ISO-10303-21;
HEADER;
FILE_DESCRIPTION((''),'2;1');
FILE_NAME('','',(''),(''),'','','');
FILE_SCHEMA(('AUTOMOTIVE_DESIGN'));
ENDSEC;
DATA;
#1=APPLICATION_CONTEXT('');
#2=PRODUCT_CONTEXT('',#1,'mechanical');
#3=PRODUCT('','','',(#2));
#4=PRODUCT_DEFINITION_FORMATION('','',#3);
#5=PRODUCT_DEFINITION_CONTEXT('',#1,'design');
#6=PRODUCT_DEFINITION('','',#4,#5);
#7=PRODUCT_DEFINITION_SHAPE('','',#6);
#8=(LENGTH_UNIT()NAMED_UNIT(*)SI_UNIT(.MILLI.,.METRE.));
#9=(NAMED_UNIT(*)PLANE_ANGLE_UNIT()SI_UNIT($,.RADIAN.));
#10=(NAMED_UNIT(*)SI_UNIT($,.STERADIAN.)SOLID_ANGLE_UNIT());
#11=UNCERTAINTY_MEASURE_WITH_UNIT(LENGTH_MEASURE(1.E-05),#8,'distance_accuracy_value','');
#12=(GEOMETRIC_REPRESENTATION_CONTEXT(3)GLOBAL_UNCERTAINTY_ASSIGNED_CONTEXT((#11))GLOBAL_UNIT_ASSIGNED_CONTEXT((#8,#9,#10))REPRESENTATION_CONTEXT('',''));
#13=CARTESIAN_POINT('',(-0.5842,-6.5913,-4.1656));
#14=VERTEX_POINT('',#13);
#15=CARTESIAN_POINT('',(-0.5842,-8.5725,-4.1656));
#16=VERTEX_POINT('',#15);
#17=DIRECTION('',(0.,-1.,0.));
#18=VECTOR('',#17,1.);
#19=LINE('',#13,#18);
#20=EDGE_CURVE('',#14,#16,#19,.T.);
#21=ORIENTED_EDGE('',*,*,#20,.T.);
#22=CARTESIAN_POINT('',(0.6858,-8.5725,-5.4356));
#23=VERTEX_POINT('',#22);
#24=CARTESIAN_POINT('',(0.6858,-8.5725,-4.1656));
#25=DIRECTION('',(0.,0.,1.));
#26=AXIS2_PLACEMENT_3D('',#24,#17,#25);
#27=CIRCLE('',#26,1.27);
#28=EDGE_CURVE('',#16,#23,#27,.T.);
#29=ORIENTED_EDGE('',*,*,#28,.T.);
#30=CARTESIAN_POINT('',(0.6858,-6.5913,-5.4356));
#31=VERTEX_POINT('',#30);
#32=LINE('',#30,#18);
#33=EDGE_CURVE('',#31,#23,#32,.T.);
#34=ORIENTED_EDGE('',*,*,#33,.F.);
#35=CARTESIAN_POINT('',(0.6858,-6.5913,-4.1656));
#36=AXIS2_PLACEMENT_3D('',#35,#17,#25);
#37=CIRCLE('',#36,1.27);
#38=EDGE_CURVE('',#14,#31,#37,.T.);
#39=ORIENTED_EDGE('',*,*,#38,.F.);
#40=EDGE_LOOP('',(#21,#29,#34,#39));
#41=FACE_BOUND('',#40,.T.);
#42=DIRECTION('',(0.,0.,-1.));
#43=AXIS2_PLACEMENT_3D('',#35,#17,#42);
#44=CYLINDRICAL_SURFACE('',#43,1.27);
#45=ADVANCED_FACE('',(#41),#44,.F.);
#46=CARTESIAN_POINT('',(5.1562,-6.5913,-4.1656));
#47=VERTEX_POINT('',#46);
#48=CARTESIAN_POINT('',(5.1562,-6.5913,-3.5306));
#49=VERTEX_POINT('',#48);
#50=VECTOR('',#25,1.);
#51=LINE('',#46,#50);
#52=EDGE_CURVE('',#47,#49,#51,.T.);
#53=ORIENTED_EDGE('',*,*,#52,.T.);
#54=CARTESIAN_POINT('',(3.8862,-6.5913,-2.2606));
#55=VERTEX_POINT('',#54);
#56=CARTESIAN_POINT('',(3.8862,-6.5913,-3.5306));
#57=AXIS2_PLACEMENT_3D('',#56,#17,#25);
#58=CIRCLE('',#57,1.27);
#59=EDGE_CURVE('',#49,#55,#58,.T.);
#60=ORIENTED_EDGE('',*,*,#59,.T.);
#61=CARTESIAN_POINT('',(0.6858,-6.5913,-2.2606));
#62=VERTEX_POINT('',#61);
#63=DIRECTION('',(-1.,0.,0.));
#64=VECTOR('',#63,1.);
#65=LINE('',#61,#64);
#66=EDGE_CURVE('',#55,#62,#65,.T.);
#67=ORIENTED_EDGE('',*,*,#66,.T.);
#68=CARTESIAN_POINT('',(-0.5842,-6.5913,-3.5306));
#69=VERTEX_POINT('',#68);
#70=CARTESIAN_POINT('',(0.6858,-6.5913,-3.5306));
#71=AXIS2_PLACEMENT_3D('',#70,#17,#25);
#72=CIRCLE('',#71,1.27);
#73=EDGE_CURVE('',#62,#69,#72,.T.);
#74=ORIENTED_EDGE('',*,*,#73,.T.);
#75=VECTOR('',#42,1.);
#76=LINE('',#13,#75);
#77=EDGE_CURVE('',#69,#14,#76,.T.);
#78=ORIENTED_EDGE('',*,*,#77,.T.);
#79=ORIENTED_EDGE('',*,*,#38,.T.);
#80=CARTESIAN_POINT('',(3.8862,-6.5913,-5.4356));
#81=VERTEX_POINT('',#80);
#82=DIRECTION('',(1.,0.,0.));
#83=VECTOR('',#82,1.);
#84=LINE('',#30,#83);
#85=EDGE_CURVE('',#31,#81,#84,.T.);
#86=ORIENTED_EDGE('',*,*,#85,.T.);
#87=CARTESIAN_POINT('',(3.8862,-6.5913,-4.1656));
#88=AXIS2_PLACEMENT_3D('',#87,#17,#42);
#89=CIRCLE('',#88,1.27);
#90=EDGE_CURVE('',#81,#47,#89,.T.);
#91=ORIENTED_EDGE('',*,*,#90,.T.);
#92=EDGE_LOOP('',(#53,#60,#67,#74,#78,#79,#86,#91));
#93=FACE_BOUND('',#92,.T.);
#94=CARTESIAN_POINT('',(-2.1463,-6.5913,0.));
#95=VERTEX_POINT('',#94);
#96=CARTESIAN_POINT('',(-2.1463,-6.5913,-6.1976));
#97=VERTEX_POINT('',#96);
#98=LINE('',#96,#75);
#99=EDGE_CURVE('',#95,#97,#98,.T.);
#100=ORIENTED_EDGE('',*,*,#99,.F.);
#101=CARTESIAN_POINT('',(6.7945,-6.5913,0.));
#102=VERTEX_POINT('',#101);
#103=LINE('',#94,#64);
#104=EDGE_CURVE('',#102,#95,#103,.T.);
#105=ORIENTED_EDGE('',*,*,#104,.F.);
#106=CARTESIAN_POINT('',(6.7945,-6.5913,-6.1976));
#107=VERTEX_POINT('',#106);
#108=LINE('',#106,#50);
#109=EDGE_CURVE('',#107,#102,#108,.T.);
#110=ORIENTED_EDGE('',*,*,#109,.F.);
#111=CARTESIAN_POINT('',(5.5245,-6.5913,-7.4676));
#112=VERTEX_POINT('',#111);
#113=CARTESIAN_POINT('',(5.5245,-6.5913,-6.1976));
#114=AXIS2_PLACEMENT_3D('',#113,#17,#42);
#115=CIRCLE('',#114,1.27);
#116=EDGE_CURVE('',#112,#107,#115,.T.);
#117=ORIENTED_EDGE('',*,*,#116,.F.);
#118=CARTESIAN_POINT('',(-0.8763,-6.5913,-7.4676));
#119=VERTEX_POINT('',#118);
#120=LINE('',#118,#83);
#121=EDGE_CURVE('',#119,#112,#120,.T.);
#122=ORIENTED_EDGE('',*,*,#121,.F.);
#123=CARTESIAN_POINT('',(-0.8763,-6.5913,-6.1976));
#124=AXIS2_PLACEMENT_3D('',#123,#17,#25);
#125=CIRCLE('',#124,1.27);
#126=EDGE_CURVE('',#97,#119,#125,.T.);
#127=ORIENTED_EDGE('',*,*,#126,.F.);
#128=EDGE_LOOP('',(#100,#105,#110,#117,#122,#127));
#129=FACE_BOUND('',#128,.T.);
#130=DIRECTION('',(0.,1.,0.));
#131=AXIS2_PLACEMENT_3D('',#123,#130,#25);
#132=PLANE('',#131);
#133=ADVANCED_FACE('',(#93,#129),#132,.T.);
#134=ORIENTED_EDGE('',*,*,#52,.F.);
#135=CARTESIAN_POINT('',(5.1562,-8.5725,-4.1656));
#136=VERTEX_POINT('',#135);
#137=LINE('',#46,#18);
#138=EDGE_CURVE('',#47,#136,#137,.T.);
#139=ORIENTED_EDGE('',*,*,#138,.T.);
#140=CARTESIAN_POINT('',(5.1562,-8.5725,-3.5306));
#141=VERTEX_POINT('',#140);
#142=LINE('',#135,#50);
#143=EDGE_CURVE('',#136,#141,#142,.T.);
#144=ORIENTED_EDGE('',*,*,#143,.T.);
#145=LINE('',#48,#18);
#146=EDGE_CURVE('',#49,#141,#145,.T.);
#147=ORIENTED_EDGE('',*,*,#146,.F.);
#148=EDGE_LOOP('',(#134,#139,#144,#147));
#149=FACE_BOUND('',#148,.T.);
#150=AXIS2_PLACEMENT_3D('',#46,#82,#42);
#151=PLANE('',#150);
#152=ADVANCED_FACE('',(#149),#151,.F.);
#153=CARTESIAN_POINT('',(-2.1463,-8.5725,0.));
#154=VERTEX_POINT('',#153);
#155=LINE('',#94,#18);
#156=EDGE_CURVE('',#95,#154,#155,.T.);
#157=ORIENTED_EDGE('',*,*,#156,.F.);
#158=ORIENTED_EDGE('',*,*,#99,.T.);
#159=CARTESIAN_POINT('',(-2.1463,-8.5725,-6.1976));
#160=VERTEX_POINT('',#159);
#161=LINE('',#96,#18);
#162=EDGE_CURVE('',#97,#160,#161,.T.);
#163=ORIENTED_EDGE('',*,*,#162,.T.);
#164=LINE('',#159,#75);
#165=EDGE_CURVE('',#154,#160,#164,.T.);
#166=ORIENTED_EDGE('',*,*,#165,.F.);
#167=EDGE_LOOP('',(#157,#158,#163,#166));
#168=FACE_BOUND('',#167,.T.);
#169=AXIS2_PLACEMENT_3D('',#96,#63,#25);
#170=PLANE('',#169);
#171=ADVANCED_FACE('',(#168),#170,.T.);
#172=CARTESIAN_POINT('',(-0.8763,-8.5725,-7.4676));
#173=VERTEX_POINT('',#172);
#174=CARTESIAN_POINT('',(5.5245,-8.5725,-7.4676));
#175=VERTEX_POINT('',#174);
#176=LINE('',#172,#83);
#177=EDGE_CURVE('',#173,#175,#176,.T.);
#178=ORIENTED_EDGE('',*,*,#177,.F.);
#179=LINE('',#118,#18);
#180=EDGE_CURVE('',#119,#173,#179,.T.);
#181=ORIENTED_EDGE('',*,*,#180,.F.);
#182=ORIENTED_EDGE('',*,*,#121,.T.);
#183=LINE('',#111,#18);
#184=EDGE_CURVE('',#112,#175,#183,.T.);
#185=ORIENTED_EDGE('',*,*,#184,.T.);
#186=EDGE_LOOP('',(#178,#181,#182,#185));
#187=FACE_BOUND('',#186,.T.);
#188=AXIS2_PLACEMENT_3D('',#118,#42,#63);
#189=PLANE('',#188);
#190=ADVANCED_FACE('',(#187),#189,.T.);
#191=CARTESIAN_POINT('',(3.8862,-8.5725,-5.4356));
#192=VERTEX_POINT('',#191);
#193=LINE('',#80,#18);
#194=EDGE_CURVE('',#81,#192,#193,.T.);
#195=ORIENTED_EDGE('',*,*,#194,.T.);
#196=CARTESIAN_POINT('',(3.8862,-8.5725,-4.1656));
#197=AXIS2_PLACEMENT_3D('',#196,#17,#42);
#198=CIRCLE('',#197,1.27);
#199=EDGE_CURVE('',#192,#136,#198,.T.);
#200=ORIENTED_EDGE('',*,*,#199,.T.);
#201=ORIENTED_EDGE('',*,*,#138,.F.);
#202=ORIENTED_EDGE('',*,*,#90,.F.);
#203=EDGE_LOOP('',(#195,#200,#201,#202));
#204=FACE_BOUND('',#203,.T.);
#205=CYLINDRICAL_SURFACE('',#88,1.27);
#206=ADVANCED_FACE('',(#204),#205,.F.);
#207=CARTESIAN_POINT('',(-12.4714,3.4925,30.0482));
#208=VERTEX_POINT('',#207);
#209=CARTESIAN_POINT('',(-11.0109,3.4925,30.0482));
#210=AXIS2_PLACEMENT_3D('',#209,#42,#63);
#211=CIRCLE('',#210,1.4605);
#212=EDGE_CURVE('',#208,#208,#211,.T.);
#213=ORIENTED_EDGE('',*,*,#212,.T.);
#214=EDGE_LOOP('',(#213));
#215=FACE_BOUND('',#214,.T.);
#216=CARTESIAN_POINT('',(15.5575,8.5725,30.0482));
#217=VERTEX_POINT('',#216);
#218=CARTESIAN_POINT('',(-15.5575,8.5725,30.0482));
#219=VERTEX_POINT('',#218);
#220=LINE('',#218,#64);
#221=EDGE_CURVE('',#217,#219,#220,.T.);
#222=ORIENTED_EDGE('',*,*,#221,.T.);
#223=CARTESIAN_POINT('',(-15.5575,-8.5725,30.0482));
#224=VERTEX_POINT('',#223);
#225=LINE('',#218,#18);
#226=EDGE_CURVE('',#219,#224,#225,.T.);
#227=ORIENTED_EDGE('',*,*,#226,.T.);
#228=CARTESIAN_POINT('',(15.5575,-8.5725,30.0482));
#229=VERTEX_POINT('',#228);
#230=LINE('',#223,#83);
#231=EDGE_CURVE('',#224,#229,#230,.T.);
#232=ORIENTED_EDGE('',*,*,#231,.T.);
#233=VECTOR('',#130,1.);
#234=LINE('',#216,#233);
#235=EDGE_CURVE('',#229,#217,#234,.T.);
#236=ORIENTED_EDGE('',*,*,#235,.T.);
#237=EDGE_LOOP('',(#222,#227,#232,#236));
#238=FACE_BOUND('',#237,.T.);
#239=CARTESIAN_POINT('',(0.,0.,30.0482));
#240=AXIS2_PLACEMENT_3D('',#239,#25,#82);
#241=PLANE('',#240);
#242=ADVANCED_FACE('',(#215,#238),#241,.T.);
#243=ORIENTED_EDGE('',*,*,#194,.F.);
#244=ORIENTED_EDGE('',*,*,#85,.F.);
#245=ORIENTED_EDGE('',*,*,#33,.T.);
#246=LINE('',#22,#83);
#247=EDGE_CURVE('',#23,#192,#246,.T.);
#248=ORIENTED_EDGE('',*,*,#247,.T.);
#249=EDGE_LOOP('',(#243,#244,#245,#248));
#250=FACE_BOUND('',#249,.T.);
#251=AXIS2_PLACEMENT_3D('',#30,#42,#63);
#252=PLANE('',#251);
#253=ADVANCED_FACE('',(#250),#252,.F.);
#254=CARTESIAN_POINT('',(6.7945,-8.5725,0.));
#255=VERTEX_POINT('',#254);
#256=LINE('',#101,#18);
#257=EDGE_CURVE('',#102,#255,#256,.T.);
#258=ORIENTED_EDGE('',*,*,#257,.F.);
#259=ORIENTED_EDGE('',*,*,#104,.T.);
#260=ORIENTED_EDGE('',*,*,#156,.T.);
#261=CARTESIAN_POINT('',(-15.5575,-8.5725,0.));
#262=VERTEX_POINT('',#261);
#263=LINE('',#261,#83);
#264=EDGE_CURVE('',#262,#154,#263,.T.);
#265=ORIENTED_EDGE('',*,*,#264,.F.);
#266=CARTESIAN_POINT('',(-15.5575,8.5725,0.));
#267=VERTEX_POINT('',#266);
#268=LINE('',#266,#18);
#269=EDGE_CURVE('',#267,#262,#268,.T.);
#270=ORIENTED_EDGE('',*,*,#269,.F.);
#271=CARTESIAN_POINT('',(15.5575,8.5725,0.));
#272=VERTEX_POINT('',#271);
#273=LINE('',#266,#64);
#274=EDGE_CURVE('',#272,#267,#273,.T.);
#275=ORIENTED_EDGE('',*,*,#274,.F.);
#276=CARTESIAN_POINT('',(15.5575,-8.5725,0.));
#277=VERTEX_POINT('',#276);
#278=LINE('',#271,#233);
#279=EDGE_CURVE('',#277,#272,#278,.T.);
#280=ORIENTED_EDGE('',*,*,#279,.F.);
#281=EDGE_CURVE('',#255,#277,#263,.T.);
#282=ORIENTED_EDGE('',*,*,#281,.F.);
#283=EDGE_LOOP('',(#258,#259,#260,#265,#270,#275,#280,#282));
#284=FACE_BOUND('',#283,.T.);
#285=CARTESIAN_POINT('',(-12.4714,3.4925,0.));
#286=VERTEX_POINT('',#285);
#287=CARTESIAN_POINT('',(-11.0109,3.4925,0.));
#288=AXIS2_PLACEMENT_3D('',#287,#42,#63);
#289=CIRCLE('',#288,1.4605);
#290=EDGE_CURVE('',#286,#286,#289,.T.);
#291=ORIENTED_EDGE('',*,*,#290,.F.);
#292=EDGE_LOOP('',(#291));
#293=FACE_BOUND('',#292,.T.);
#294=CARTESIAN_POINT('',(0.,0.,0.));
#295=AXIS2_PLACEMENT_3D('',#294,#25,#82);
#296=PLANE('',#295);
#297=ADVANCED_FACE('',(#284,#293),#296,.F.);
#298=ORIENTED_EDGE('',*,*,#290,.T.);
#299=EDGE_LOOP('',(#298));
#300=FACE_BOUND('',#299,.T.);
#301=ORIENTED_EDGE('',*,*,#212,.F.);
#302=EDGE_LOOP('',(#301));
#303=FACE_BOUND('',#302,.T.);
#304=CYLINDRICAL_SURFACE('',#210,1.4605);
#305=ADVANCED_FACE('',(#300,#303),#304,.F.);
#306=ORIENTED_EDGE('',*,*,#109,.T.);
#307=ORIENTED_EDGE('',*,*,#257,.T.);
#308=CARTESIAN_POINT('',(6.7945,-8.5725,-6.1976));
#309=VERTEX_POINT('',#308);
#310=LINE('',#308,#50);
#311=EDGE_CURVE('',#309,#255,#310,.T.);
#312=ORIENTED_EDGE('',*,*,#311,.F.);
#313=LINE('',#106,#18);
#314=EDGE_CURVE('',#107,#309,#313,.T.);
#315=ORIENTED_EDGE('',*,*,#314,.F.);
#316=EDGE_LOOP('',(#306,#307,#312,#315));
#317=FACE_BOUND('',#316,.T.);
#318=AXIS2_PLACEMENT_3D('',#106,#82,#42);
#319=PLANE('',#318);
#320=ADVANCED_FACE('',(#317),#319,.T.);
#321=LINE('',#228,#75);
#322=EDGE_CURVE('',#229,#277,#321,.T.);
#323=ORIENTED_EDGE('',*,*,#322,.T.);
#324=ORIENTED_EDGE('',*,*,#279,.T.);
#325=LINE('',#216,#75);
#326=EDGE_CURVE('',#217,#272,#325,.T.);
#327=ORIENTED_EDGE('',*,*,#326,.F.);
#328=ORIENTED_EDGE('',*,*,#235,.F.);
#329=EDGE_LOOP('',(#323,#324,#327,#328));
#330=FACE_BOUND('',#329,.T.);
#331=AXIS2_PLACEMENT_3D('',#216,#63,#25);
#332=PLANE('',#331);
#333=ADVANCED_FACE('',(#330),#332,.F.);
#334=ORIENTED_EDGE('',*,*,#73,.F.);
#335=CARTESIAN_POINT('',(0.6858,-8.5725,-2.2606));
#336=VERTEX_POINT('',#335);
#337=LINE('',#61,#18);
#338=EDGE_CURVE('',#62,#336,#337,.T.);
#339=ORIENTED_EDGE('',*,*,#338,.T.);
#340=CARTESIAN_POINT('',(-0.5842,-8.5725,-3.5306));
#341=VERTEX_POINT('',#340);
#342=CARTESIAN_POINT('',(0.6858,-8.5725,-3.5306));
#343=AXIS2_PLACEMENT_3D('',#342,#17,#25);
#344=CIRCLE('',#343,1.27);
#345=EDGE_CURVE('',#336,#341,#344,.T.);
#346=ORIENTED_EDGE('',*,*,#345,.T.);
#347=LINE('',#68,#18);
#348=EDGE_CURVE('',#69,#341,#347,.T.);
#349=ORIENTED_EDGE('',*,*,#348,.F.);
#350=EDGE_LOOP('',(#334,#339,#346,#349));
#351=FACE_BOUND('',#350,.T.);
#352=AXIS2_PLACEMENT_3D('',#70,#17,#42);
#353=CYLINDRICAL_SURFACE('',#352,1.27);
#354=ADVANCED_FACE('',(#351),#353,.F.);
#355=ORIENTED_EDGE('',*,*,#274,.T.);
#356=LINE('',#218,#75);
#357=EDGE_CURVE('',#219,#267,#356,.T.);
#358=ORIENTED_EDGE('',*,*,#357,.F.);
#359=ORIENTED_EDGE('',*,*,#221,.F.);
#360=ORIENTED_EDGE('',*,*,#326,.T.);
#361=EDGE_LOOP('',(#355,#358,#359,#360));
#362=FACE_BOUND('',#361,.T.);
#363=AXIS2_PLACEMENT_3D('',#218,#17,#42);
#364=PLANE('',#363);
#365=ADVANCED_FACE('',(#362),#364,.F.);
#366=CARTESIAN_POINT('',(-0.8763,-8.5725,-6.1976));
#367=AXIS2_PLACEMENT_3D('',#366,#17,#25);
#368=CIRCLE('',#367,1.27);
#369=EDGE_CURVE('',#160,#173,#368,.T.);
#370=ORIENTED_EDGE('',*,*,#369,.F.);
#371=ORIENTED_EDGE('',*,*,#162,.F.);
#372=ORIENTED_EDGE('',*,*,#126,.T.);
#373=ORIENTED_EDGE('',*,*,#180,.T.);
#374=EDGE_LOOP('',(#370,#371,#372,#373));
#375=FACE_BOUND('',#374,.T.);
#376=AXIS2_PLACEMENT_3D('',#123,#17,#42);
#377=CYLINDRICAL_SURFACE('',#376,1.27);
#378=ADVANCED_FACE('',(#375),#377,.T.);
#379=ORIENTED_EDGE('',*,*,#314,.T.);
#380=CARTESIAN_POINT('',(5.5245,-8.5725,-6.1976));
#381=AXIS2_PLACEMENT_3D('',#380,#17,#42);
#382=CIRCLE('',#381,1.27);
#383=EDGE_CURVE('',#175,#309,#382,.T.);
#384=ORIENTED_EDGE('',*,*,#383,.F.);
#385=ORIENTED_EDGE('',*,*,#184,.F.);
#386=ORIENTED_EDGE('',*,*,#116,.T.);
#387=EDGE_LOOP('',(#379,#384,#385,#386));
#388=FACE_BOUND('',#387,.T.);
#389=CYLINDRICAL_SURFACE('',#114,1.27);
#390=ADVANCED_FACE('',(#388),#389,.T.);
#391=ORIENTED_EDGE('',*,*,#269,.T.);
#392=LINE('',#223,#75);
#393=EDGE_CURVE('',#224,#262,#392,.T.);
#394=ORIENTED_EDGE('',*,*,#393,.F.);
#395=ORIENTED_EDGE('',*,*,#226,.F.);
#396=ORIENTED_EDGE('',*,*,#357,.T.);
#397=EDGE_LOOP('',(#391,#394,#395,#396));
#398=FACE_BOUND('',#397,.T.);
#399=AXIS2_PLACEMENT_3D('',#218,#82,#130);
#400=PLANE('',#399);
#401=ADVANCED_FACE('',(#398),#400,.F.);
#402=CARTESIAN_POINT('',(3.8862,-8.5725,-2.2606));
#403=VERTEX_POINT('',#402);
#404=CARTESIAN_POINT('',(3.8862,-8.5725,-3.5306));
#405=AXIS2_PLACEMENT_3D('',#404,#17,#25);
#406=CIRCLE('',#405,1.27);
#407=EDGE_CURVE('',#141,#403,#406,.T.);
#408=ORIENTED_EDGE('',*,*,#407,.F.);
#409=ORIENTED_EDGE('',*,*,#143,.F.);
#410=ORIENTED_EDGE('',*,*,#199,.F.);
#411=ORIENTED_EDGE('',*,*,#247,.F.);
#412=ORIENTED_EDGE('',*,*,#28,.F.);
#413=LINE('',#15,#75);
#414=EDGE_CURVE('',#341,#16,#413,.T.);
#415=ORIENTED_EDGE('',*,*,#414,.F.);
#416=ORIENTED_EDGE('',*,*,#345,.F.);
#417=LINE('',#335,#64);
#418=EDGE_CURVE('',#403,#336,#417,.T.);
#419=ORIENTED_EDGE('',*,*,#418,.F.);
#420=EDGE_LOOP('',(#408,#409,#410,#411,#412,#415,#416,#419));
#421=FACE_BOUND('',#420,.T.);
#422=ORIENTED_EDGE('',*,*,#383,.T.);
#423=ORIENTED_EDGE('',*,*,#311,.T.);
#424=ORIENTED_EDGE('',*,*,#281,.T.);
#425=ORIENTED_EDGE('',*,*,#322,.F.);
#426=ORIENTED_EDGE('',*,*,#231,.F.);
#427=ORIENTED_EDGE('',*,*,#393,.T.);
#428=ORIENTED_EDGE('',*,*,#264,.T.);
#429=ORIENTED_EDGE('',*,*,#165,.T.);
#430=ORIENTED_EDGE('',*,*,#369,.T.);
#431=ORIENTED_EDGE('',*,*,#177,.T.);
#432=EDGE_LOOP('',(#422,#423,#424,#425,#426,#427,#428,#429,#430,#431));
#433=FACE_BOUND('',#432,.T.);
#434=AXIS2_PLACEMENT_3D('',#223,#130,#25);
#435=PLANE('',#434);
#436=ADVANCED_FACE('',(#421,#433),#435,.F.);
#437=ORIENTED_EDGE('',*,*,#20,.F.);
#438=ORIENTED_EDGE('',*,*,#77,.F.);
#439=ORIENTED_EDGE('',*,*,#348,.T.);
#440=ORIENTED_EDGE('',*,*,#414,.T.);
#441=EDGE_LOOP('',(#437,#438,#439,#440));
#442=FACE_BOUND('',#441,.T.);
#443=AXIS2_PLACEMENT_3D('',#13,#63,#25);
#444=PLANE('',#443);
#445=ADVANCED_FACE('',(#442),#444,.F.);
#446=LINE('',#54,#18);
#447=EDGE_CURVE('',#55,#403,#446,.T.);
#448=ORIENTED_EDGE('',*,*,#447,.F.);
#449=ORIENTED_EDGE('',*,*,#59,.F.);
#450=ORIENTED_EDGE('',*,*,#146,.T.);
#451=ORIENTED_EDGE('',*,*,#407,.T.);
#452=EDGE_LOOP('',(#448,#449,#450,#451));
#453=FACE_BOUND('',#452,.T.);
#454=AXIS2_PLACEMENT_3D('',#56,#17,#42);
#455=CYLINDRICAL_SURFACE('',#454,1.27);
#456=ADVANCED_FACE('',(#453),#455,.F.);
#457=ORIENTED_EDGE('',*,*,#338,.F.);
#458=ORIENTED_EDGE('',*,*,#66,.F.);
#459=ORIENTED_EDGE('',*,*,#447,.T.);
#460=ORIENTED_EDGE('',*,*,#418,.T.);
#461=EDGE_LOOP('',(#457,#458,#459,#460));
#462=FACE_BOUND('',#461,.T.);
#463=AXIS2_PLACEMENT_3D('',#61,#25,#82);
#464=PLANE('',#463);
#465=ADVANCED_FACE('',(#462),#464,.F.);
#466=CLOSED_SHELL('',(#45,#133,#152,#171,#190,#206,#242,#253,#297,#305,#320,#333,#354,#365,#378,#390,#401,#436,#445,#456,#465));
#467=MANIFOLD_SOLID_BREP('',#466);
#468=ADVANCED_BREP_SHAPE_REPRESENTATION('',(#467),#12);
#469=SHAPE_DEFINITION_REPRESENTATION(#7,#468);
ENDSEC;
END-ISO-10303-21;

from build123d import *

# Parameters (mm, degrees)
SKETCH1_W            = 31.115
SKETCH1_H            = 17.145
MOTOR_BODY_DEPTH     = 30.0482
FASTENING_HOLE_DEPTH = 1.9812
SKETCH3_R            = 1.4605
SHAFT_HOLE_DEPTH     = 31.0482


with BuildPart() as part:
    # Sketch1 → Motor Body (new body)
    with BuildSketch(Plane.XY):
        Rectangle(SKETCH1_W, SKETCH1_H)
    extrude(amount=MOTOR_BODY_DEPTH)

    # Sketch2 → Fastening hole (add)
    with BuildSketch(Plane.XZ.offset(8.5725)):
        with BuildLine():
            Line((-0.8763, -7.4676), (5.5245, -7.4676))
            ThreePointArc((5.5245, -7.4676), (6.422525612, -7.095625612), (6.7945, -6.1976))
            Line((6.7945, -6.1976), (6.7945, 0))
            Line((6.7945, 0), (-2.1463, 0))
            Line((-2.1463, 0), (-2.1463, -6.1976))
            ThreePointArc((-2.1463, -6.1976), (-1.774325612, -7.095625612), (-0.8763, -7.4676))
        make_face()
        with BuildLine():
            Line((0.6858, -5.4356), (3.8862, -5.4356))
            ThreePointArc((3.8862, -5.4356), (4.784225612, -5.063625612), (5.1562, -4.1656))
            Line((5.1562, -4.1656), (5.1562, -3.5306))
            ThreePointArc((5.1562, -3.5306), (4.784225612, -2.632574388), (3.8862, -2.2606))
            Line((3.8862, -2.2606), (0.6858, -2.2606))
            ThreePointArc((0.6858, -2.2606), (-0.212225612, -2.632574388), (-0.5842, -3.5306))
            Line((-0.5842, -3.5306), (-0.5842, -4.1656))
            ThreePointArc((-0.5842, -4.1656), (-0.212225612, -5.063625612), (0.6858, -5.4356))
        make_face(mode=Mode.SUBTRACT)
    extrude(amount=-FASTENING_HOLE_DEPTH)

    # Sketch3 → Shaft hole (cut, through all)
    with BuildSketch(Plane(origin=(0, 0, 0), x_dir=(-1, 0, 0), z_dir=(0, 0, -1))):
        with Locations((11.0109, 3.4925)):
            Circle(SKETCH3_R)
    extrude(amount=-SHAFT_HOLE_DEPTH, mode=Mode.SUBTRACT)


solid = part.part
